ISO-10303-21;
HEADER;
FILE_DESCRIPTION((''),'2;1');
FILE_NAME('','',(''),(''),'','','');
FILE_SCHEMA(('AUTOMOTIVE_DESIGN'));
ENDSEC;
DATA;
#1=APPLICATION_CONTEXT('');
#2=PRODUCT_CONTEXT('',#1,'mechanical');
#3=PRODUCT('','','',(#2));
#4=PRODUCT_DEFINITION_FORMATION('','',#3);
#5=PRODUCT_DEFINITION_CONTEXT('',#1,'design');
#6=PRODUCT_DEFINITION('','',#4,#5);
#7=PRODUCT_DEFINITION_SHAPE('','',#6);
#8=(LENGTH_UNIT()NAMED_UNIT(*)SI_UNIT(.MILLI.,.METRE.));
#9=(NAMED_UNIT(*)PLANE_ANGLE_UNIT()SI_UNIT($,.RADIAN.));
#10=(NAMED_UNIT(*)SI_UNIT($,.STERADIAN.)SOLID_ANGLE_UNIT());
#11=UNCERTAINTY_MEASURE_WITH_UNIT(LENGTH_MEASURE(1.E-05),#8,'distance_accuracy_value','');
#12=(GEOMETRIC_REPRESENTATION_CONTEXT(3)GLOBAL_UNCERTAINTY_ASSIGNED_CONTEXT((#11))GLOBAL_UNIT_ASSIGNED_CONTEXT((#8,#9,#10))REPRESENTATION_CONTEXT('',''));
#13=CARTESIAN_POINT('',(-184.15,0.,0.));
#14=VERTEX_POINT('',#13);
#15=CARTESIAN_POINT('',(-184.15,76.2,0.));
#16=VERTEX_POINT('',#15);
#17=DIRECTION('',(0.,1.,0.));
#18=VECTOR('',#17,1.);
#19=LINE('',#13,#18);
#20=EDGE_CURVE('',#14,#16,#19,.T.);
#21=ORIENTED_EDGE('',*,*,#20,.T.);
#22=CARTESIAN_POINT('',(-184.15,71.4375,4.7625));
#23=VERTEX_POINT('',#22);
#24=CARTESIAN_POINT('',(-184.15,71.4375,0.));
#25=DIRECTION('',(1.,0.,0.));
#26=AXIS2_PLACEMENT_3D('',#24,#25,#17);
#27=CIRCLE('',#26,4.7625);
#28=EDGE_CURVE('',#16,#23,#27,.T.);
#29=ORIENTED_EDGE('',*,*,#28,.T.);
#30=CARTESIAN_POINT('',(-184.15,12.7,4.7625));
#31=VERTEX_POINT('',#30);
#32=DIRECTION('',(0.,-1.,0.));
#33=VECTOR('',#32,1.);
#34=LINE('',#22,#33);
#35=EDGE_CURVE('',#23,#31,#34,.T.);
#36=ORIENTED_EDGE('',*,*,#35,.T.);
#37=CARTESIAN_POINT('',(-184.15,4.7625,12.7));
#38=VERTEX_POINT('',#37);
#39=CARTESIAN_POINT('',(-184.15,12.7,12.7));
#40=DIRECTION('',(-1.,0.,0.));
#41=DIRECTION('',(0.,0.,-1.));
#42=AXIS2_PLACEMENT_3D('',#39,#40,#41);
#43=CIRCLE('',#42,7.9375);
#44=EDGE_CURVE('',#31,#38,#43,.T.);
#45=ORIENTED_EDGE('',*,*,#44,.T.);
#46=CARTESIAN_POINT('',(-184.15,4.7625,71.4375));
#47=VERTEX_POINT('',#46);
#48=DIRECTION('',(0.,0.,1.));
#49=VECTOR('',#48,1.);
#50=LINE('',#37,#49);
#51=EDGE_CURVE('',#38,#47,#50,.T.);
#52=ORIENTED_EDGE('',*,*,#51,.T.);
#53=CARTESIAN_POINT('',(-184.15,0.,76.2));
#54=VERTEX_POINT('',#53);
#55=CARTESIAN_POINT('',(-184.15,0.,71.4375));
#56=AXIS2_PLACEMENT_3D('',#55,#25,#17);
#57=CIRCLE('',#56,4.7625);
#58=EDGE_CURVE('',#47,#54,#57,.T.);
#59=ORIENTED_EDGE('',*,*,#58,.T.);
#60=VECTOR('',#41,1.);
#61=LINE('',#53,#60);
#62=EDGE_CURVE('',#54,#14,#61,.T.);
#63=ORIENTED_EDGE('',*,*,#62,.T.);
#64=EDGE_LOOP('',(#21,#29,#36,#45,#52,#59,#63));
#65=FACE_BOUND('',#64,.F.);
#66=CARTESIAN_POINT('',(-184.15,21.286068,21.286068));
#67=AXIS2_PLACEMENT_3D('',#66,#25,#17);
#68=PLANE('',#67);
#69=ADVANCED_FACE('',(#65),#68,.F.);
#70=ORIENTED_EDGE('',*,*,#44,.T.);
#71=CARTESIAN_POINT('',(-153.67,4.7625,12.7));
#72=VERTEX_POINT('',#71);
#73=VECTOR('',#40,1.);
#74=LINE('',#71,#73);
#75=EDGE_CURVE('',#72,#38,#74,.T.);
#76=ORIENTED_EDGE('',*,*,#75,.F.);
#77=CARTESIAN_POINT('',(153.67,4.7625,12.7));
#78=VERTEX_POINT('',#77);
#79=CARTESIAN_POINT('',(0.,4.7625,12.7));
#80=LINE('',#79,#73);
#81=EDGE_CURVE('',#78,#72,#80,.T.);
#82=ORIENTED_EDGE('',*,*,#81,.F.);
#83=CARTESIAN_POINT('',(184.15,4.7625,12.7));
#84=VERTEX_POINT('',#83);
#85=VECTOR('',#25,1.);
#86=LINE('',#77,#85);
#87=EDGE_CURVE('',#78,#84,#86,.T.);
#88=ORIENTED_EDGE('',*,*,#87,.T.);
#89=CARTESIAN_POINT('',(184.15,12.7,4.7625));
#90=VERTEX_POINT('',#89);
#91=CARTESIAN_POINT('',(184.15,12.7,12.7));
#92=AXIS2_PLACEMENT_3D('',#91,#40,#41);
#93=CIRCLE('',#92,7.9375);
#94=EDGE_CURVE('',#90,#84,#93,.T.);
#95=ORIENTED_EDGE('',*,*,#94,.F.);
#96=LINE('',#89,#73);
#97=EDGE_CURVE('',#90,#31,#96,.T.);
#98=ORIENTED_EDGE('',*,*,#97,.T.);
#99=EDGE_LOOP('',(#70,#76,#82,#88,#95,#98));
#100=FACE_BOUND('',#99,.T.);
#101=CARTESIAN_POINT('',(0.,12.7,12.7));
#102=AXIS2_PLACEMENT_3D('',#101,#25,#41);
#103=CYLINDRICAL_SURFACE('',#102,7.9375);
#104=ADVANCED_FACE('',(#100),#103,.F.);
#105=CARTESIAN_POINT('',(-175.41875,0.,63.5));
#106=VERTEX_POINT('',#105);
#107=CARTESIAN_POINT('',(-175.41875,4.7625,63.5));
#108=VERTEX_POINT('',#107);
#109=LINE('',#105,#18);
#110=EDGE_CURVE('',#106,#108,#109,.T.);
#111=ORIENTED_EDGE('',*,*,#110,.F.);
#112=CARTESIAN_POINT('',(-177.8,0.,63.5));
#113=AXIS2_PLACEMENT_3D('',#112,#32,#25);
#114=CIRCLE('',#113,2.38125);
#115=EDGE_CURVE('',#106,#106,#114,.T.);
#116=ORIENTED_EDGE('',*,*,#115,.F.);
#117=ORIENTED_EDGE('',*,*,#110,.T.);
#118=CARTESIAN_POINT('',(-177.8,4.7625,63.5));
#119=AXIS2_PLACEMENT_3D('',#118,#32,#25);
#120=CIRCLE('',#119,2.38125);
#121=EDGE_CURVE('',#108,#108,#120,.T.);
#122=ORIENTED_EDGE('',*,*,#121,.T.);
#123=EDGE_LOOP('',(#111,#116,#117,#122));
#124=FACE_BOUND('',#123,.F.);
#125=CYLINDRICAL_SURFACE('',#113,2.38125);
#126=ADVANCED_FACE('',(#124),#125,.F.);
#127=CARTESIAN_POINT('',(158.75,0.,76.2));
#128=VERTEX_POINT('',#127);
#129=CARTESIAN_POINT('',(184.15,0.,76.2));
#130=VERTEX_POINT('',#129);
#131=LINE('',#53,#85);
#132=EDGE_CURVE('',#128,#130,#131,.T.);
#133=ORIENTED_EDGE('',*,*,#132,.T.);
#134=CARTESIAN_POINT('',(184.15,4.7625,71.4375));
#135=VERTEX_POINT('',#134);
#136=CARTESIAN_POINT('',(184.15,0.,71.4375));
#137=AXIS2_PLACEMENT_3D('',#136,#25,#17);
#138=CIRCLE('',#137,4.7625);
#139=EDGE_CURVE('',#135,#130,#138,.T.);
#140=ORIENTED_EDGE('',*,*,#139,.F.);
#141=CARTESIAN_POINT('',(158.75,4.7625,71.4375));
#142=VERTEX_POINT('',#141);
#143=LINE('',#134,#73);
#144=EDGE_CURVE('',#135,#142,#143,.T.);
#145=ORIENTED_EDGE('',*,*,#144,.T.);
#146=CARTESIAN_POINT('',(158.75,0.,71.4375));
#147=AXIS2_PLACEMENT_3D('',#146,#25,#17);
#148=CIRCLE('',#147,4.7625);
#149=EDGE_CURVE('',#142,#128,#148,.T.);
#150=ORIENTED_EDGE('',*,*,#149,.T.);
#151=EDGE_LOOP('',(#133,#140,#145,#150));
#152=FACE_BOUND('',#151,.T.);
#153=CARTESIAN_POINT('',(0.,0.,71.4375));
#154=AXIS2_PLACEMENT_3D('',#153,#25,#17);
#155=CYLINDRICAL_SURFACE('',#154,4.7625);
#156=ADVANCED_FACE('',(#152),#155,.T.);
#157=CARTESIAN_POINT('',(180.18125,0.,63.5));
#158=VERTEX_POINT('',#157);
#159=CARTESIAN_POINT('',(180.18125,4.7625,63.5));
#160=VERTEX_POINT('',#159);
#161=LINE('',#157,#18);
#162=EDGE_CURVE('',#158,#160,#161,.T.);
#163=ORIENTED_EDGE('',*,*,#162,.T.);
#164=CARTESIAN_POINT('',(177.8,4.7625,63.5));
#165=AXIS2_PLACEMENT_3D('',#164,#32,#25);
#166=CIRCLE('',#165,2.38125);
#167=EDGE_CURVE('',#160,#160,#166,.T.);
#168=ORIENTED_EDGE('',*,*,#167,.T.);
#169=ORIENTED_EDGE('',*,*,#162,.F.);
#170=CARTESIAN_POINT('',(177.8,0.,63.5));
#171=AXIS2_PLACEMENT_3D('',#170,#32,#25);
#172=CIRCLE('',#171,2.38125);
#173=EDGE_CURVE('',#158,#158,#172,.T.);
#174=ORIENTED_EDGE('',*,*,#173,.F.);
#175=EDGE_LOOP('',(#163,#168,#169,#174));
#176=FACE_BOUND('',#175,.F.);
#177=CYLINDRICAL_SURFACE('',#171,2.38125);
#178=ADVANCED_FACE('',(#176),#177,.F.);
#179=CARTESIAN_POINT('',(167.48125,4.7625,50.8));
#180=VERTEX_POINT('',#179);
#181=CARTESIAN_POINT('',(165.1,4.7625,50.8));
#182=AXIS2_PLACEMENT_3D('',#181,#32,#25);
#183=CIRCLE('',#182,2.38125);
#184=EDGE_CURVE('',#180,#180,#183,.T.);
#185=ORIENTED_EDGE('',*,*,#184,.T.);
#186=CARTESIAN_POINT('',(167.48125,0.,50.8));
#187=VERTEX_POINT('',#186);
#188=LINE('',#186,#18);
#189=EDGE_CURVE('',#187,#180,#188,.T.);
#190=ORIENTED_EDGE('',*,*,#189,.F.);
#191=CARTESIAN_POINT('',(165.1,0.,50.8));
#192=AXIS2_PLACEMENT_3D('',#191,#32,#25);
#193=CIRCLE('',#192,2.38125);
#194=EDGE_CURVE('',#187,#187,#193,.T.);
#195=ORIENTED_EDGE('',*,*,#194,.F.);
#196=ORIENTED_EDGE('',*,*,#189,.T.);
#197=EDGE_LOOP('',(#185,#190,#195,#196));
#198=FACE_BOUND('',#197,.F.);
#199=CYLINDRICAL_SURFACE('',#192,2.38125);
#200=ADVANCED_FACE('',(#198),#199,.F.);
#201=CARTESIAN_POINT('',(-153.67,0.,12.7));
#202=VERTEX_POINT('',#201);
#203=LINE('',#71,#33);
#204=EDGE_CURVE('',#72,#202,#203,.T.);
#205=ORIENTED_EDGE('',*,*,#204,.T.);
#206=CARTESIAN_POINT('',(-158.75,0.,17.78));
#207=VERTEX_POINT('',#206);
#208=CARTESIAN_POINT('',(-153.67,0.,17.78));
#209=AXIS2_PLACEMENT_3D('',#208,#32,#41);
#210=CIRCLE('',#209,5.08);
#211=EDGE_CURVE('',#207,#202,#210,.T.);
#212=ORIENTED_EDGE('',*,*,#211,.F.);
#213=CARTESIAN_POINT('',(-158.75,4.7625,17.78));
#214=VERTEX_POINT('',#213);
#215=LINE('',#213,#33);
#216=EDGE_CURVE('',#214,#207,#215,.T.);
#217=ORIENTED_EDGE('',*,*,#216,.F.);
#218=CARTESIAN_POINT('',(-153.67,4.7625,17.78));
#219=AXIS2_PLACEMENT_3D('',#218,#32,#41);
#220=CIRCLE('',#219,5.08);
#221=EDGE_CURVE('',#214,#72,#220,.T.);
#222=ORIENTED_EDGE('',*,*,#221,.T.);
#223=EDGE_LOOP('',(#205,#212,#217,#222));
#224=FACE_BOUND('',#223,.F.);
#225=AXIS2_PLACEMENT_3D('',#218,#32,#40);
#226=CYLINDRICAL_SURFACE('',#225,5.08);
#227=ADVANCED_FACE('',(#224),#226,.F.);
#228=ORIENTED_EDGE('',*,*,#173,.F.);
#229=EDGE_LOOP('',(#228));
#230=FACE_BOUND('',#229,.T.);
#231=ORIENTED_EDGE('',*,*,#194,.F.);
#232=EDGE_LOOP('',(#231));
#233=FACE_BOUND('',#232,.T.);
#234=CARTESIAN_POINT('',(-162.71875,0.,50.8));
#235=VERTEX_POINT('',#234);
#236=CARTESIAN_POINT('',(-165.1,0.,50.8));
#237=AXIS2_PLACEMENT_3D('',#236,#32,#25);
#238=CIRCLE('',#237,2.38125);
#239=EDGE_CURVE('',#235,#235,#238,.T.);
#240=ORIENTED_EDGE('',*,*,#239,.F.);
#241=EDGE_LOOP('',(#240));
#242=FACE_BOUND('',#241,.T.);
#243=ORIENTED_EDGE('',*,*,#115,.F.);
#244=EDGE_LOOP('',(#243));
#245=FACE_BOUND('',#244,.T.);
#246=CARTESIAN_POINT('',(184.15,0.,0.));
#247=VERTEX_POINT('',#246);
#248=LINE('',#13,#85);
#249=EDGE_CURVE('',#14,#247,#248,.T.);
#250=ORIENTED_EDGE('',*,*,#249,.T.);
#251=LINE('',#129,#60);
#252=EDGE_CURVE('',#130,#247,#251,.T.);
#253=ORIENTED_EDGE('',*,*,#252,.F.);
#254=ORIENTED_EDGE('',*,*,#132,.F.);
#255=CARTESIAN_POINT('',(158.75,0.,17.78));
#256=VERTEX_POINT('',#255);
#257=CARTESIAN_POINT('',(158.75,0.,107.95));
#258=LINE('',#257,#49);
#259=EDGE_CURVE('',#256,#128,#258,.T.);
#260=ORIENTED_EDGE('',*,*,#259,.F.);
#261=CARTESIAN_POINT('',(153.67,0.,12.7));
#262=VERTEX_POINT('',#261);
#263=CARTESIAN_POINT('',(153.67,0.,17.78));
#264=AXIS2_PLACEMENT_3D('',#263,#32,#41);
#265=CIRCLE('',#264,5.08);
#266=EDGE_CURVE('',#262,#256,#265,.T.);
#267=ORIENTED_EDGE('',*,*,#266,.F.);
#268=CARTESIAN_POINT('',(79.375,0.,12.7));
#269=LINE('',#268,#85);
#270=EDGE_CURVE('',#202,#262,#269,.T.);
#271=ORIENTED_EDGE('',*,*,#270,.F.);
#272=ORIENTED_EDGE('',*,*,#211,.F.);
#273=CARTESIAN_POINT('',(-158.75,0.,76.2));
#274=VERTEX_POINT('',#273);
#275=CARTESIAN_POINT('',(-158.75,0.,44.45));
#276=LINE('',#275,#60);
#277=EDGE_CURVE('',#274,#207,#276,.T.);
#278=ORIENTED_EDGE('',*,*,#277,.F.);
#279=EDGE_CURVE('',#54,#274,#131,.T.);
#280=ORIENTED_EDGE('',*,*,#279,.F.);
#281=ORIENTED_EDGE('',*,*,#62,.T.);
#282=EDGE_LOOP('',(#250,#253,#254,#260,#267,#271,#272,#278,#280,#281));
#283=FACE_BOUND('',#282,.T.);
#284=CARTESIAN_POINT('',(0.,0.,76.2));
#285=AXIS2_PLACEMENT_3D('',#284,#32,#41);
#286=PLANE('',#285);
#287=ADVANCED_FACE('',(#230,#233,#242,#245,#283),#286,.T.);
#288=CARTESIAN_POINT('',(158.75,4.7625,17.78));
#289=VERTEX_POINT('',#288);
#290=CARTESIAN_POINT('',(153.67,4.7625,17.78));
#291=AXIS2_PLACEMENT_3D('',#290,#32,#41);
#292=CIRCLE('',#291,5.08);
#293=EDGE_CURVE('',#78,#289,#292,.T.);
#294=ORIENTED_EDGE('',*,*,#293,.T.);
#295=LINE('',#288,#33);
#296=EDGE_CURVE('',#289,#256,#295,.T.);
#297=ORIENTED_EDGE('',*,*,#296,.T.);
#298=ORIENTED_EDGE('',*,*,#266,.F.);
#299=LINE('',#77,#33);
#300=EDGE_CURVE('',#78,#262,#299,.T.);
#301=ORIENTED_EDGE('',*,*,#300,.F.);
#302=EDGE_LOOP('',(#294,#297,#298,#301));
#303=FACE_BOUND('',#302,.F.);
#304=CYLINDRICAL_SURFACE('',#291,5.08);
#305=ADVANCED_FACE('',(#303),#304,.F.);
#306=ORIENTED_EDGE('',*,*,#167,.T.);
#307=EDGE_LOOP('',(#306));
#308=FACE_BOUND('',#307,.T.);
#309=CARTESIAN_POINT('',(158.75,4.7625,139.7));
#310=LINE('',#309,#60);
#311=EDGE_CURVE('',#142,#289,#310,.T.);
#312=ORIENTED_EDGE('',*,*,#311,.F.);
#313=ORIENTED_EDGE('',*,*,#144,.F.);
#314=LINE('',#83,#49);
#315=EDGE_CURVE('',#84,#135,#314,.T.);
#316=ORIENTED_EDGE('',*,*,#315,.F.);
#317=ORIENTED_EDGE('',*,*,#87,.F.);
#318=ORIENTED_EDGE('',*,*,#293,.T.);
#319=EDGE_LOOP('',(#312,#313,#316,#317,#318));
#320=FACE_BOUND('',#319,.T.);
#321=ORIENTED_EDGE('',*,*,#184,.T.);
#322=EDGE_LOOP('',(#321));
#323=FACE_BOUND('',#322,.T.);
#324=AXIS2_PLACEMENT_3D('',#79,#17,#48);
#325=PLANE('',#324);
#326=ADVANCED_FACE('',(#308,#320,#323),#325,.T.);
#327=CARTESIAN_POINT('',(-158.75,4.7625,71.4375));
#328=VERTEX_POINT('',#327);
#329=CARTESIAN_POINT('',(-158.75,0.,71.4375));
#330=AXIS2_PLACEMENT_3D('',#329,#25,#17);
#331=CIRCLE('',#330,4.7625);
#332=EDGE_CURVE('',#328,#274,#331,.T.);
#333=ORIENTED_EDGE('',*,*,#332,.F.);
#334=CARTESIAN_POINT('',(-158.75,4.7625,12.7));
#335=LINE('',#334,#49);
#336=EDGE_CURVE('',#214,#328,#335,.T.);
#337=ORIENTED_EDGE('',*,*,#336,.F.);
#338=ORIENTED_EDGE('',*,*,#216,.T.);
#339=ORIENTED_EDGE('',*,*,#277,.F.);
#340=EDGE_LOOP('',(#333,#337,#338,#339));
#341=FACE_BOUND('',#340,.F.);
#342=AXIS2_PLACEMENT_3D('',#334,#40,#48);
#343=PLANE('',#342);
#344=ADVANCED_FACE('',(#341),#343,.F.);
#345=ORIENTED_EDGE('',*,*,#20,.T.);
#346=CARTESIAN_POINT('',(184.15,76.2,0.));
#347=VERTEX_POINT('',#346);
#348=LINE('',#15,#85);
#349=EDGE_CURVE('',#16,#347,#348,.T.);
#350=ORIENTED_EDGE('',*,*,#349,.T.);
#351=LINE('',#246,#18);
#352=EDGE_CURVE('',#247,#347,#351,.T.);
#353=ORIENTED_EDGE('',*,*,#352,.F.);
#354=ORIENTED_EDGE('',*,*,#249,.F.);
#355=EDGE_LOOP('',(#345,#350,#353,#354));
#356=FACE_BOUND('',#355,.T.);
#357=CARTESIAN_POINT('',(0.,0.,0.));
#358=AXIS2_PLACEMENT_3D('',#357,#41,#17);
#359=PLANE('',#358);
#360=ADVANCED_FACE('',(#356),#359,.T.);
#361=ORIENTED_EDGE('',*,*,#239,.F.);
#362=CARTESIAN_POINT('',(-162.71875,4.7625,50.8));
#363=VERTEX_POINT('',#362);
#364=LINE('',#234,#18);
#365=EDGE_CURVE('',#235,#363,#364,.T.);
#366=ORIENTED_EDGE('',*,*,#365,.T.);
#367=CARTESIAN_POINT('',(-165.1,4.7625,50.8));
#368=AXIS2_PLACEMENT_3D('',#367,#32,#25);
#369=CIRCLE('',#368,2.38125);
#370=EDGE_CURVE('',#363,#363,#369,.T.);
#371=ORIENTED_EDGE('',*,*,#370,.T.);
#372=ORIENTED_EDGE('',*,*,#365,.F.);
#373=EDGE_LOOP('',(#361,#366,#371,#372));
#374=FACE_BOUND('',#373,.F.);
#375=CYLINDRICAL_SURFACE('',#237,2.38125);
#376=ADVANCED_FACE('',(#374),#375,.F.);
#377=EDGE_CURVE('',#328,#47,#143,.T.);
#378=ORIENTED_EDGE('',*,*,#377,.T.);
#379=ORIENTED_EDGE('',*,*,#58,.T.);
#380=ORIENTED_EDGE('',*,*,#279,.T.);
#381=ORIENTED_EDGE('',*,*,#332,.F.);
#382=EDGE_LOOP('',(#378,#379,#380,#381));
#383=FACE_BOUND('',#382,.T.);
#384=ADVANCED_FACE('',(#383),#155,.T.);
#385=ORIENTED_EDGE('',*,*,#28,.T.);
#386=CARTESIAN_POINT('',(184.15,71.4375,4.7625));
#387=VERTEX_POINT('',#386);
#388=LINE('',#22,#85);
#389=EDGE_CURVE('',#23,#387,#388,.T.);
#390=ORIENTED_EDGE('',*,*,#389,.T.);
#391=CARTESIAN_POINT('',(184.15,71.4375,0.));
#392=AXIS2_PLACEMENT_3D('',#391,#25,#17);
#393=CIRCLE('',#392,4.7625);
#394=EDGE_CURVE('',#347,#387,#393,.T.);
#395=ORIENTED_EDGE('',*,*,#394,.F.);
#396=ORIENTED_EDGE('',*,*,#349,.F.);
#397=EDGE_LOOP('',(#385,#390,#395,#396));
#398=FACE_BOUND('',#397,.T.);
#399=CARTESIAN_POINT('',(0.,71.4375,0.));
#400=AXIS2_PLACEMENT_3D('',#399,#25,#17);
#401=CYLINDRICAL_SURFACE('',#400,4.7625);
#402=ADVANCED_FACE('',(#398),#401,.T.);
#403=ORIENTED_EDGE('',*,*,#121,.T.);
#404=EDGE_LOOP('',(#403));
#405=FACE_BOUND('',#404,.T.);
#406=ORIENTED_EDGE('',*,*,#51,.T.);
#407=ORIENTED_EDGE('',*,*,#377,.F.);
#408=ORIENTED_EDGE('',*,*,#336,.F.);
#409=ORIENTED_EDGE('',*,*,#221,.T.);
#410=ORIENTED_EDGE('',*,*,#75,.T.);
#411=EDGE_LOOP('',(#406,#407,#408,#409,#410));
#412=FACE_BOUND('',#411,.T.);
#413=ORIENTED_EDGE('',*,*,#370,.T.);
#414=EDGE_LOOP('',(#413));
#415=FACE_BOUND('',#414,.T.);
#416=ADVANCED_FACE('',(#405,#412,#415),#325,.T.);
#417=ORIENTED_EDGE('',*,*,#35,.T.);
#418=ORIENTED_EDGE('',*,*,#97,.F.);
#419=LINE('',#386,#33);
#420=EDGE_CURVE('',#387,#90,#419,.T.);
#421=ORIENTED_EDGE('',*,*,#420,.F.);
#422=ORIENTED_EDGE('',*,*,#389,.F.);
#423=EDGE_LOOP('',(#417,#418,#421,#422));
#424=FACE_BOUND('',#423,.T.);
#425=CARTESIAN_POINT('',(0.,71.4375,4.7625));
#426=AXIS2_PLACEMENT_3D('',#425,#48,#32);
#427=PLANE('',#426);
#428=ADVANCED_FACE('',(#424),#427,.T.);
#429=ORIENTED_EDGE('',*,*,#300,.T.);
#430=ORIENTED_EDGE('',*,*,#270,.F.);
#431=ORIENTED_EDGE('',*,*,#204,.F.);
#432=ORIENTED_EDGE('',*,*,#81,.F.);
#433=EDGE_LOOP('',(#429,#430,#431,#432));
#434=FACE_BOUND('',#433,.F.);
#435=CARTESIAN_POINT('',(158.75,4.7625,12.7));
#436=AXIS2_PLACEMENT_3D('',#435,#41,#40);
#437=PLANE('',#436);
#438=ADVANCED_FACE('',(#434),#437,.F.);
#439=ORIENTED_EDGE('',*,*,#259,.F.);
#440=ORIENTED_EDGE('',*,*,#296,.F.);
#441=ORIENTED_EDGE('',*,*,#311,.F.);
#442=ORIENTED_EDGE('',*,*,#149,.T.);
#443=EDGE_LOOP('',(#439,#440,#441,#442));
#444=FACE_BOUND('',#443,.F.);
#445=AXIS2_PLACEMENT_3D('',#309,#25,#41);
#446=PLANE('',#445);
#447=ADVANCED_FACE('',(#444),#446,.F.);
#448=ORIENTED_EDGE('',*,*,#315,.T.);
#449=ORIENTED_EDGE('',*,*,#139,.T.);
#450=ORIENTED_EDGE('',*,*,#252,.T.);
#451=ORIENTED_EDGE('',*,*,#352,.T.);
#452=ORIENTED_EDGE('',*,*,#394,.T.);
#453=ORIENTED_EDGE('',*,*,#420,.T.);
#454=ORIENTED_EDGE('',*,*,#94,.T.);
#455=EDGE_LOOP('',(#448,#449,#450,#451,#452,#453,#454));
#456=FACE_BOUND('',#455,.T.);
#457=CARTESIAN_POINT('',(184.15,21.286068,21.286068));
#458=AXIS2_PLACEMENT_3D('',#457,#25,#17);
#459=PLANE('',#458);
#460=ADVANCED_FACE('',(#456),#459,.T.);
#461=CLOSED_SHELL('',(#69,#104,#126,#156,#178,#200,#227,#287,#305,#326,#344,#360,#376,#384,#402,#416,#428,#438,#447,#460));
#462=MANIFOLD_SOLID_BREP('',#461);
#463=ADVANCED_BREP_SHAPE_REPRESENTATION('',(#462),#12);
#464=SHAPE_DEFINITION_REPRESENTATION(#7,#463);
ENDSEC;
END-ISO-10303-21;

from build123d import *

# Parameters (mm, degrees)
F1_DEPTH = 184.15
F2_W     = 317.5
F2_H     = 68.2625
F2_H_2   = 58.7375
F3_DEPTH = 4.7635
F4_R     = 5.08
F5_R     = 2.38125
F6_DEPTH = 76.201


with BuildPart() as f1:
    # F0 (on Right) → F1 (new body, symmetric)
    with BuildSketch(Plane.YZ):
        with BuildLine():
            ThreePointArc((4.7625, 71.4375), (3.3675960454, 74.8050960454), (0, 76.2))
            Line((0, 76.2), (0, 0))
            Line((0, 0), (76.2, 0))
            ThreePointArc((76.2, 0), (74.8050960454, 3.3675960454), (71.4375, 4.7625))
            Line((71.4375, 4.7625), (12.7, 4.7625))
            ThreePointArc((12.7, 4.7625), (7.0873399243, 7.0873399243), (4.7625, 12.7))
            Line((4.7625, 12.7), (4.7625, 71.4375))
        make_face()
    extrude(amount=F1_DEPTH, both=True)

    # F2 (on face) → F3 (cut, through all)
    with BuildSketch(Plane(origin=(0, 4.7625, 0), x_dir=(-1, 0, 0), z_dir=(0, 1, 0))):
        with Locations((0, 105.56875)):
            Rectangle(F2_W, F2_H)
        with Locations((0, 42.06875)):
            Rectangle(F2_W, F2_H_2)
    extrude(amount=-F3_DEPTH, mode=Mode.SUBTRACT)

    # F4
    f4_edges = [f1.edges().sort_by_distance(p)[0] for p in [
        (158.75, 2.38125, 12.7),
        (-158.75, 2.38125, 12.7),
    ]]
    fillet(f4_edges, radius=F4_R)

    # F5 (on face) → F6 (cut, through all)
    with BuildSketch(Plane.XZ):
        with Locations((-165.1, 50.8)):
            Circle(F5_R)
        with Locations((-177.8, 63.5)):
            Circle(F5_R)
        with Locations((177.8, 63.5)):
            Circle(F5_R)
        with Locations((165.1, 50.8)):
            Circle(F5_R)
    extrude(amount=-F6_DEPTH, mode=Mode.SUBTRACT)


solid = f1.part
